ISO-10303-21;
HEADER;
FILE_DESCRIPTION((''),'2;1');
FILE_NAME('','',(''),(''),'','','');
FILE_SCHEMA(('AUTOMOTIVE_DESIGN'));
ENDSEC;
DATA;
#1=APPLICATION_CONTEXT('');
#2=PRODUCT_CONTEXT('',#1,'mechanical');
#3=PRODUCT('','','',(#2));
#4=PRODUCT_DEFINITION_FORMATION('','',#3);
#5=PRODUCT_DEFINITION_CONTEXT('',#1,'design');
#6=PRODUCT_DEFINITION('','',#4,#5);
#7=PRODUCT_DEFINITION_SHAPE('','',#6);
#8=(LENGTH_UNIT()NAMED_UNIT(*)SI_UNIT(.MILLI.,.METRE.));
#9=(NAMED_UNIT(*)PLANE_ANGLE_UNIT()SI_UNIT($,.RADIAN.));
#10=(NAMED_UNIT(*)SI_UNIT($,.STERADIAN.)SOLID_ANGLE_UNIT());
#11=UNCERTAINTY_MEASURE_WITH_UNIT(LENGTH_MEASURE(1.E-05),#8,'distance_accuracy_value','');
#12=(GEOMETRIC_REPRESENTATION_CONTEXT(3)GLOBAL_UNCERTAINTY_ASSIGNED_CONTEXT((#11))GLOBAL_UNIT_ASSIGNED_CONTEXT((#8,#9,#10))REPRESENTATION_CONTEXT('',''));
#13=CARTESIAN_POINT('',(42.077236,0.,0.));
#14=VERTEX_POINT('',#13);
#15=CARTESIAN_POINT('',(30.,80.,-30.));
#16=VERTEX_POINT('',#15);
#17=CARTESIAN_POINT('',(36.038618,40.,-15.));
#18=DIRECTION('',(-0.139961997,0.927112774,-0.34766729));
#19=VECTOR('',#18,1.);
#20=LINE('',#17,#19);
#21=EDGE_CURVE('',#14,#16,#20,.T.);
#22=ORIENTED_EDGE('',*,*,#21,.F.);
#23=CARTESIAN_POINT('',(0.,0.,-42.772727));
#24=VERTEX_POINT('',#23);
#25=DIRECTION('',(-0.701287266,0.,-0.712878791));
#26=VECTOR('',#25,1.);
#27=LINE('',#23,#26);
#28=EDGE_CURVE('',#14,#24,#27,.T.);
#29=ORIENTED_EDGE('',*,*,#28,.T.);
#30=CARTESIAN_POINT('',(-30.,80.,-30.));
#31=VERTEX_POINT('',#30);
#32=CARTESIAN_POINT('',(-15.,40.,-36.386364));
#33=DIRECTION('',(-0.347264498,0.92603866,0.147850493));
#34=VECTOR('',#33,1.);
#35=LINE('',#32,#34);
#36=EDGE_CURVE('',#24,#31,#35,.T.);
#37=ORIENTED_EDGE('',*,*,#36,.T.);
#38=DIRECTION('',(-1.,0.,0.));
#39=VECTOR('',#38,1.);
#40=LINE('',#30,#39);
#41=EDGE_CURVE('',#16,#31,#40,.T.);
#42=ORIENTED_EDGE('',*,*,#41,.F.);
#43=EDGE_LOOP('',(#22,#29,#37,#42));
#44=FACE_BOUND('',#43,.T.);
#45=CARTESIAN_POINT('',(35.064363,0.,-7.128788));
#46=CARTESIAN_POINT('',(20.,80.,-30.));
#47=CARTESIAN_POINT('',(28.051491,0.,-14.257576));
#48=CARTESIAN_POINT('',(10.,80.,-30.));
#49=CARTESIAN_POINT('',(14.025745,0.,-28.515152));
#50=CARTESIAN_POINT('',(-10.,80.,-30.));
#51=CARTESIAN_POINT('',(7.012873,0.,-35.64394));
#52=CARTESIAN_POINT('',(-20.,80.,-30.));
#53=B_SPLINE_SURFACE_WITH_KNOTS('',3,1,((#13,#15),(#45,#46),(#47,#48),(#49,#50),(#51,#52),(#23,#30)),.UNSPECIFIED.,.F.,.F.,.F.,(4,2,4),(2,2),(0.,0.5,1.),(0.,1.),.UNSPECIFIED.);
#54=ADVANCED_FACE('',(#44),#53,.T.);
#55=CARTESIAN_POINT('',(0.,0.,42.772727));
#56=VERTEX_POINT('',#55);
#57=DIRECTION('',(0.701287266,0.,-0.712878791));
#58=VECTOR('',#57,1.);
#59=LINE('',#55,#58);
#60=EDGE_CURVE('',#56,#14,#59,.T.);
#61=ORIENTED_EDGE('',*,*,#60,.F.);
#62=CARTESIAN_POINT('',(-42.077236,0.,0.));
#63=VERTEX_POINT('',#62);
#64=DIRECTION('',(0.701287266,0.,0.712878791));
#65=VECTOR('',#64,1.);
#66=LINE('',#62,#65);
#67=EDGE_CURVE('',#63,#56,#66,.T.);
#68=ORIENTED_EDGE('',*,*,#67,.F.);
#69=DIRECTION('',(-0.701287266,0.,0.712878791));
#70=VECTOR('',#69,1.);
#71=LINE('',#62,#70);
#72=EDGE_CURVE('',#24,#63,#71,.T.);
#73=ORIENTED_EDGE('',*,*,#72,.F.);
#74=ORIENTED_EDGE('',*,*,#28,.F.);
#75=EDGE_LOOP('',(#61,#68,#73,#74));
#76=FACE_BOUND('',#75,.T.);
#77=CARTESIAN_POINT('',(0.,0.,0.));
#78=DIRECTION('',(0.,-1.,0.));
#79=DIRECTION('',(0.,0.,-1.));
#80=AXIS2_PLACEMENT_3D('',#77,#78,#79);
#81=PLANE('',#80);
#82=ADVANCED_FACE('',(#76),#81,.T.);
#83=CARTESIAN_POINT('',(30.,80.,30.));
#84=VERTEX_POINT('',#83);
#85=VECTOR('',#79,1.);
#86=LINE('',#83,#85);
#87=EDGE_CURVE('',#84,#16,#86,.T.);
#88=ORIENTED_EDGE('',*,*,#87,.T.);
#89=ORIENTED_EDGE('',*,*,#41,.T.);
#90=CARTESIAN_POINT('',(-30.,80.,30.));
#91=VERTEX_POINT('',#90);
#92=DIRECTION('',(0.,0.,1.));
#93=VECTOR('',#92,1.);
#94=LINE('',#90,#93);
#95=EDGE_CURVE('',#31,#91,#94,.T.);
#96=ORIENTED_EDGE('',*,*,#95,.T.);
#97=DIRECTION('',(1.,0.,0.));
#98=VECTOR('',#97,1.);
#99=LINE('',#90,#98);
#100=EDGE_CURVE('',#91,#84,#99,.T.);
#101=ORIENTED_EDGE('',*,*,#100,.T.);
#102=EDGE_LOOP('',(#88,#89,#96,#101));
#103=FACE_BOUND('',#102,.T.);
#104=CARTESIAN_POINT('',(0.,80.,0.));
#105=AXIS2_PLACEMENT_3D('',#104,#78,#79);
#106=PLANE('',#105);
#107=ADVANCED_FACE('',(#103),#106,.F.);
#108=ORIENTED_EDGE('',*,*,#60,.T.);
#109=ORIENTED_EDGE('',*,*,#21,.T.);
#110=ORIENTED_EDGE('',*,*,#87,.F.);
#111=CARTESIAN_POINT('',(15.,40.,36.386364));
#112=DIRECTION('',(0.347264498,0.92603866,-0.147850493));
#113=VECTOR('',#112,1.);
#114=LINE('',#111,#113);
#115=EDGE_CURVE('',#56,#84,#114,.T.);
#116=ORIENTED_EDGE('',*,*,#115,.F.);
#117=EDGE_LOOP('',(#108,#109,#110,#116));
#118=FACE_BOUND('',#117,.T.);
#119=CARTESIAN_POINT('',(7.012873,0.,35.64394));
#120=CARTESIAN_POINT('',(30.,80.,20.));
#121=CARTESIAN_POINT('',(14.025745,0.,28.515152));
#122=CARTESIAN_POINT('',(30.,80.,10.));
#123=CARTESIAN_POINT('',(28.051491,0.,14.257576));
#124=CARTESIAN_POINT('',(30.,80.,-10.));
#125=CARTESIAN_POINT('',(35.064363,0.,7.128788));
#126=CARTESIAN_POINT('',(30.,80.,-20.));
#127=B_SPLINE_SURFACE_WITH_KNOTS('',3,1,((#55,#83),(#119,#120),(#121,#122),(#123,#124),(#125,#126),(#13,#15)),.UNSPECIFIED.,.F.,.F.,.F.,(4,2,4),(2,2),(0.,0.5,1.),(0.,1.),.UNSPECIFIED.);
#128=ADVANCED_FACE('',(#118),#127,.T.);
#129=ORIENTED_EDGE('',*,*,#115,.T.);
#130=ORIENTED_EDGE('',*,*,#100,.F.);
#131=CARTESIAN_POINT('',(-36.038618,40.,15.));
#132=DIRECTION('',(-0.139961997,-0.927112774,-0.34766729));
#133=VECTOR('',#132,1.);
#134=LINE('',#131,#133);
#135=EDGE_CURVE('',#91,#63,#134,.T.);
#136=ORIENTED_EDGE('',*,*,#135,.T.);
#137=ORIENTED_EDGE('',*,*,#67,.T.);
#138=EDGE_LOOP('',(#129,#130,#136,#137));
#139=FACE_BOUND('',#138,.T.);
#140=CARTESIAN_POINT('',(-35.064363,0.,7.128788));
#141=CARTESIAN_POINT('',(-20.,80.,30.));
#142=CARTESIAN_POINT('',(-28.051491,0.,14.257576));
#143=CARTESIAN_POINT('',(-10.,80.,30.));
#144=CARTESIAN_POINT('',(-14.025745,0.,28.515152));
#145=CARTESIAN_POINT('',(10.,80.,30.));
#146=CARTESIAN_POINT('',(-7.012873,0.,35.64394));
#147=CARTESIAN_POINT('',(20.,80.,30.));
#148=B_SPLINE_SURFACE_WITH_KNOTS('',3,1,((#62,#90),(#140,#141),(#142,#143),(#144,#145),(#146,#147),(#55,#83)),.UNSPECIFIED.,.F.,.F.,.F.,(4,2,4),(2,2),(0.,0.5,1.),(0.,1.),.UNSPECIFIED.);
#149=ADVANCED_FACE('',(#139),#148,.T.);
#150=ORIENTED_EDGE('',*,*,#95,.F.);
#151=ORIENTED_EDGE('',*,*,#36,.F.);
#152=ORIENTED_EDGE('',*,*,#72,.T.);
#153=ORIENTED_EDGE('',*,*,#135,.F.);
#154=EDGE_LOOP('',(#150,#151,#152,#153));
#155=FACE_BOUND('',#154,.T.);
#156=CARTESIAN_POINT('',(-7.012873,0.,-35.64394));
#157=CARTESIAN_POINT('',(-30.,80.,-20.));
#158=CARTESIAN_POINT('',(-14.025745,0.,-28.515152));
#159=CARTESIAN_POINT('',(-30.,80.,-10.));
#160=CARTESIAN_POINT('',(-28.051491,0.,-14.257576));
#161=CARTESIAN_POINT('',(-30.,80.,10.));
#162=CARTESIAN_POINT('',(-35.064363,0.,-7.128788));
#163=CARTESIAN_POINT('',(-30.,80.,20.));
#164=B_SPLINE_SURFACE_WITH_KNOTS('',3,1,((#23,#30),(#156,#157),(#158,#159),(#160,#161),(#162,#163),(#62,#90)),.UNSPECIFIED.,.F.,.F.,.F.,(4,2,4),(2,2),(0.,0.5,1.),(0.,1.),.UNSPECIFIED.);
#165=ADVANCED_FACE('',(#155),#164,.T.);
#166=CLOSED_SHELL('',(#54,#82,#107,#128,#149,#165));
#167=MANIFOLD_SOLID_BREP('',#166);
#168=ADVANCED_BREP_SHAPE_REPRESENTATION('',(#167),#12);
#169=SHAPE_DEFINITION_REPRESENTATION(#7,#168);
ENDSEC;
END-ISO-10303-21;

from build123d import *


with BuildPart() as part:
    # Sketch1 → Loft1 section 0
    with BuildSketch(Plane(origin=(0, 0, 0), x_dir=(1, 0, 0), z_dir=(0, 1, 0))):
        with BuildLine():
            Line((-42.077235956, 0), (0, -42.772727459))
            Line((0, -42.772727459), (42.077235956, 0))
            Line((42.077235956, 0), (0, 42.772727459))
            Line((0, 42.772727459), (-42.077235956, 0))
        make_face()
    # Sketch2 → Loft1 section 1
    with BuildSketch(Plane(origin=(0, 80, 0), x_dir=(1, 0, 0), z_dir=(0, 1, 0))):
        with BuildLine():
            Line((-30, -30), (30, -30))
            Line((30, -30), (30, 30))
            Line((30, 30), (-30, 30))
            Line((-30, 30), (-30, -30))
        make_face()
    loft()


solid = part.part
